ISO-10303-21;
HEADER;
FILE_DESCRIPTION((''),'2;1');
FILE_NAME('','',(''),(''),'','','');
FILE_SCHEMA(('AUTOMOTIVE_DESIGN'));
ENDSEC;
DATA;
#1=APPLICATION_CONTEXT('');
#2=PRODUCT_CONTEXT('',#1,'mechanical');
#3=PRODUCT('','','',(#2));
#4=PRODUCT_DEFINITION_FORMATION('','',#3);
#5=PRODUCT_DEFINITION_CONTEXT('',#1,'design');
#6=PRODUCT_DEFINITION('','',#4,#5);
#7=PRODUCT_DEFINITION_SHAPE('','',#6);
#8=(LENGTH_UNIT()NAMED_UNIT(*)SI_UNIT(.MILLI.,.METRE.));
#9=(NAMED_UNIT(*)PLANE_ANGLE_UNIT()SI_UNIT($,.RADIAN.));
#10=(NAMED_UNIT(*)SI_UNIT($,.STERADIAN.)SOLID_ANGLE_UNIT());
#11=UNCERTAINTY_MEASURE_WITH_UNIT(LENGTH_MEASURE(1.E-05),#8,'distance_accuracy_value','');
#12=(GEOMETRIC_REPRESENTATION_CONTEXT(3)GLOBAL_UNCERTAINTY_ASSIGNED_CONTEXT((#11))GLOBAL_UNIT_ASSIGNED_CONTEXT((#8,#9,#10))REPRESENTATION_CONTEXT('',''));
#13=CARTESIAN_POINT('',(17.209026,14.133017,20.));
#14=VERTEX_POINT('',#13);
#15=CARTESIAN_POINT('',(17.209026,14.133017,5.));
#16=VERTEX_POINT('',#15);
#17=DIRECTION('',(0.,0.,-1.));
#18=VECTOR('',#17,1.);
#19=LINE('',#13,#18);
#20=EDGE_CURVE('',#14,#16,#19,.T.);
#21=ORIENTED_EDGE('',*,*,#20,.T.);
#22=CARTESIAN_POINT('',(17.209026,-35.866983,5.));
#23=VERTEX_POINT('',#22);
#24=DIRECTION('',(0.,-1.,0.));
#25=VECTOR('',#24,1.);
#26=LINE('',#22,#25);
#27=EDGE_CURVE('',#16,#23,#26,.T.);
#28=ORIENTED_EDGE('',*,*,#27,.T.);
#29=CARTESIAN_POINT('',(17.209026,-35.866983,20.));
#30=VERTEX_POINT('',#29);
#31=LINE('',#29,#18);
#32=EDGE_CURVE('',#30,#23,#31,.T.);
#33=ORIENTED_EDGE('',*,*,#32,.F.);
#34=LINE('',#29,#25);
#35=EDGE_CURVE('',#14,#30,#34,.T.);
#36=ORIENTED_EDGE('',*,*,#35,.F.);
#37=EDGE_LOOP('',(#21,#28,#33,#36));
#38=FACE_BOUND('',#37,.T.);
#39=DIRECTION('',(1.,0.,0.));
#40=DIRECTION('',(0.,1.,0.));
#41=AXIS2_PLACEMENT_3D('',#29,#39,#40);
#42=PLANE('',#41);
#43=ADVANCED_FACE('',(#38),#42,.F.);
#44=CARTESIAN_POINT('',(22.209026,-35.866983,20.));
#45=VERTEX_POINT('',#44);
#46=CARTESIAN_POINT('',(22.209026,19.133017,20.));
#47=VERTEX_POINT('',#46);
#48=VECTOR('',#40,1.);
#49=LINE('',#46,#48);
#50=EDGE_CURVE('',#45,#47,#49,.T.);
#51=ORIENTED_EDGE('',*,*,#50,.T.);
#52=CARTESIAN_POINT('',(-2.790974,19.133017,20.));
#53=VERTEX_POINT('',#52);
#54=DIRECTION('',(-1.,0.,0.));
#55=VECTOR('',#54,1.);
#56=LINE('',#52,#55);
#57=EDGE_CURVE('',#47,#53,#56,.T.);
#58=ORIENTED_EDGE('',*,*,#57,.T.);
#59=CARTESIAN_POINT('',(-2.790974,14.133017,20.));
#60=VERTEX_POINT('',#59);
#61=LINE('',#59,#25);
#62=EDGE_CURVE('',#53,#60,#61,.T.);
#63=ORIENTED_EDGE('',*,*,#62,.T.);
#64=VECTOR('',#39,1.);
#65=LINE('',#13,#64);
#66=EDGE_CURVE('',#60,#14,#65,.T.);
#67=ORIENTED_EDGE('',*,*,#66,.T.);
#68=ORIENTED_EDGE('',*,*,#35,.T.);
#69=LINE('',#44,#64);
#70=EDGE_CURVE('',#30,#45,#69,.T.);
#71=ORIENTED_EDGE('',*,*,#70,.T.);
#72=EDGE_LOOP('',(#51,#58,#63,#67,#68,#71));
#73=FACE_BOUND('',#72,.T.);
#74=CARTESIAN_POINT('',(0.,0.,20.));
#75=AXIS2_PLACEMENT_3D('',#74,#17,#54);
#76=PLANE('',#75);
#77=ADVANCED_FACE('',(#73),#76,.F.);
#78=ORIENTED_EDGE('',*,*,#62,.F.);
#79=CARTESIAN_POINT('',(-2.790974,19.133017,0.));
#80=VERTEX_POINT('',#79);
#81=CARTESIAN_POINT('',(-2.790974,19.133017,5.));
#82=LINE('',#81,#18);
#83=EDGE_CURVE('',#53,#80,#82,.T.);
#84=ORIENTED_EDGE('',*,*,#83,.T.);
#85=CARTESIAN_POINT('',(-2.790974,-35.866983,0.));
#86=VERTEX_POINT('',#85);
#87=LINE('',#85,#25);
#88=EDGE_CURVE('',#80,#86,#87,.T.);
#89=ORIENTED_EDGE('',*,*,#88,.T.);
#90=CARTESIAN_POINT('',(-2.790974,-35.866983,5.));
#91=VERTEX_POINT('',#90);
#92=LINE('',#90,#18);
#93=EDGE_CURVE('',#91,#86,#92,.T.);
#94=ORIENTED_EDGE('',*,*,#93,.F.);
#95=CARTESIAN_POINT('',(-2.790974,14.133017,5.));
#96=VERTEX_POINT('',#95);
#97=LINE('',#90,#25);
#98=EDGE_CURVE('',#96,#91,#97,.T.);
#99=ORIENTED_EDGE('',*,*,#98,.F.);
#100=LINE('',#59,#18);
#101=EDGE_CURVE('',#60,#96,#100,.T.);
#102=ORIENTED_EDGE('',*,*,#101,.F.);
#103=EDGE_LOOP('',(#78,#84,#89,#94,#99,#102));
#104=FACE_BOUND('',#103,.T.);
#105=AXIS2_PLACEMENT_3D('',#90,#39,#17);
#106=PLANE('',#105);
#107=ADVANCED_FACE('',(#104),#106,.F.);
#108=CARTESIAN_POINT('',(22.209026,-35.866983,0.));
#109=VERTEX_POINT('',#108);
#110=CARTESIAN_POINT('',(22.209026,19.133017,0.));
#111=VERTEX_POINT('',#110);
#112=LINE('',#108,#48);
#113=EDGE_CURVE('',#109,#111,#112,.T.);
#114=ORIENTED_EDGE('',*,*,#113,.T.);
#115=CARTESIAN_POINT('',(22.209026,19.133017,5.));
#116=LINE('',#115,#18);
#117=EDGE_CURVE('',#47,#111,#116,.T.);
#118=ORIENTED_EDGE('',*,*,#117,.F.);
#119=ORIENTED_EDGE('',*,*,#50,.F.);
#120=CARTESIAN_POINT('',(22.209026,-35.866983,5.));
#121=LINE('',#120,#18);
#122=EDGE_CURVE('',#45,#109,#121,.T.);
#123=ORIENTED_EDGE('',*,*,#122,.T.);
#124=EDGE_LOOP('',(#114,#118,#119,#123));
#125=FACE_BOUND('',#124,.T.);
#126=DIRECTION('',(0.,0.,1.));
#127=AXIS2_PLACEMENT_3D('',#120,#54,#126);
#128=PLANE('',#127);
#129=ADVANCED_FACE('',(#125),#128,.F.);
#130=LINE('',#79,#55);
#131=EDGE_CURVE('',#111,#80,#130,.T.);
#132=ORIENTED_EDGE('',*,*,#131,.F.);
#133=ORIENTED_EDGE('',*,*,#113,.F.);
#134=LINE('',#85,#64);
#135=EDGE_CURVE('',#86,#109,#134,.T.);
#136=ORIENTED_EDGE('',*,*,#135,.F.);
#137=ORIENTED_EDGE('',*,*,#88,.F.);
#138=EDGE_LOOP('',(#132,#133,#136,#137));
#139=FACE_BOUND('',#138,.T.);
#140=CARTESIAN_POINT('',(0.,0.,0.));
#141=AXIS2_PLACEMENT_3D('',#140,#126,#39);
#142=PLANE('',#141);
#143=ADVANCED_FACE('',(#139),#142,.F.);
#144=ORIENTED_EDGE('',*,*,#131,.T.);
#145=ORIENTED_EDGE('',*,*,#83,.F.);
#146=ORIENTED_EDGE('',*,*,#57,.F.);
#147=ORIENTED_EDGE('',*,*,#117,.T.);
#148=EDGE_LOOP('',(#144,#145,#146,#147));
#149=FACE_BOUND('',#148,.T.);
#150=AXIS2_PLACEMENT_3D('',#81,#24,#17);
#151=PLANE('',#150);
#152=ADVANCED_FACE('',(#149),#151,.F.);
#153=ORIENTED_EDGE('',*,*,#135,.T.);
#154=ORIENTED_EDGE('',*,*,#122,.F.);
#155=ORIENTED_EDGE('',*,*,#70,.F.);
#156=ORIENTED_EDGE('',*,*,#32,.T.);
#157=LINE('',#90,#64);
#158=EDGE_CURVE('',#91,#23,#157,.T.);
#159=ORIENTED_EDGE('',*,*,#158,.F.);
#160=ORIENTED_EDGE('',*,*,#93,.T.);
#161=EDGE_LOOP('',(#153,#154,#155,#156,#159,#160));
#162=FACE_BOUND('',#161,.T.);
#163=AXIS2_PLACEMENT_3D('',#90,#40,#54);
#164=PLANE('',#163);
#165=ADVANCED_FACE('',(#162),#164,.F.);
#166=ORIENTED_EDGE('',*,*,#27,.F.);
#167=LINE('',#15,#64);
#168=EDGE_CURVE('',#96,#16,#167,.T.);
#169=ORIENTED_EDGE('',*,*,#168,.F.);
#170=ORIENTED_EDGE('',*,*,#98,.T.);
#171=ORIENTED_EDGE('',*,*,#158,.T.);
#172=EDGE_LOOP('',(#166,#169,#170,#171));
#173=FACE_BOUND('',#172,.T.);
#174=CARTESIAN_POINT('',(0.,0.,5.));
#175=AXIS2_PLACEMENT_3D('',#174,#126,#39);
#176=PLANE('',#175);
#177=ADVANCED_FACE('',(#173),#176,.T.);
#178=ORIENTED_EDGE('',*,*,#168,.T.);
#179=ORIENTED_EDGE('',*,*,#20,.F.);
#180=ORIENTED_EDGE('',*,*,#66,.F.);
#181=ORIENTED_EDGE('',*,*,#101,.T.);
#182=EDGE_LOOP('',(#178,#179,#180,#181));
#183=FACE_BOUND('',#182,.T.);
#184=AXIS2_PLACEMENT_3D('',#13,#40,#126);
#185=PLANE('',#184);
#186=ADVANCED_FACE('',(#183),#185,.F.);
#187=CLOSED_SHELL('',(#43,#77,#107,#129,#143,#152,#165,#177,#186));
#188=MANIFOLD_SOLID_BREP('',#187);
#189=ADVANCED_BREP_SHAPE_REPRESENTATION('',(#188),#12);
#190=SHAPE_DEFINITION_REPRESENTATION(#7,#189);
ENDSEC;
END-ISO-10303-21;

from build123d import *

# Parameters (mm, degrees)
SKETCH1_W           = 55
SKETCH1_H           = 25
BOSS_EXTRUDE1_DEPTH = 5
BOSS_EXTRUDE2_DEPTH = 15


with BuildPart() as part:
    # Sketch1 → Boss-Extrude1 (new body)
    with BuildSketch(Plane(origin=(0, 0, 0), x_dir=(0, 1, 0), z_dir=(0, 0, 1))):
        with Locations((-8.366983373, -9.709026128)):
            Rectangle(SKETCH1_W, SKETCH1_H)
    extrude(amount=BOSS_EXTRUDE1_DEPTH)

    # Sketch3 → Boss-Extrude2 (add)
    with BuildSketch(Plane.XY.offset(5)):
        Polygon((-2.790973872, 14.133016627), (-2.790973872, 19.133016627), (22.209026128, 19.133016627), (22.209026128, -35.866983373), (17.209026128, -35.866983373), (17.209026128, 14.133016627), align=None)
    extrude(amount=BOSS_EXTRUDE2_DEPTH)


solid = part.part
